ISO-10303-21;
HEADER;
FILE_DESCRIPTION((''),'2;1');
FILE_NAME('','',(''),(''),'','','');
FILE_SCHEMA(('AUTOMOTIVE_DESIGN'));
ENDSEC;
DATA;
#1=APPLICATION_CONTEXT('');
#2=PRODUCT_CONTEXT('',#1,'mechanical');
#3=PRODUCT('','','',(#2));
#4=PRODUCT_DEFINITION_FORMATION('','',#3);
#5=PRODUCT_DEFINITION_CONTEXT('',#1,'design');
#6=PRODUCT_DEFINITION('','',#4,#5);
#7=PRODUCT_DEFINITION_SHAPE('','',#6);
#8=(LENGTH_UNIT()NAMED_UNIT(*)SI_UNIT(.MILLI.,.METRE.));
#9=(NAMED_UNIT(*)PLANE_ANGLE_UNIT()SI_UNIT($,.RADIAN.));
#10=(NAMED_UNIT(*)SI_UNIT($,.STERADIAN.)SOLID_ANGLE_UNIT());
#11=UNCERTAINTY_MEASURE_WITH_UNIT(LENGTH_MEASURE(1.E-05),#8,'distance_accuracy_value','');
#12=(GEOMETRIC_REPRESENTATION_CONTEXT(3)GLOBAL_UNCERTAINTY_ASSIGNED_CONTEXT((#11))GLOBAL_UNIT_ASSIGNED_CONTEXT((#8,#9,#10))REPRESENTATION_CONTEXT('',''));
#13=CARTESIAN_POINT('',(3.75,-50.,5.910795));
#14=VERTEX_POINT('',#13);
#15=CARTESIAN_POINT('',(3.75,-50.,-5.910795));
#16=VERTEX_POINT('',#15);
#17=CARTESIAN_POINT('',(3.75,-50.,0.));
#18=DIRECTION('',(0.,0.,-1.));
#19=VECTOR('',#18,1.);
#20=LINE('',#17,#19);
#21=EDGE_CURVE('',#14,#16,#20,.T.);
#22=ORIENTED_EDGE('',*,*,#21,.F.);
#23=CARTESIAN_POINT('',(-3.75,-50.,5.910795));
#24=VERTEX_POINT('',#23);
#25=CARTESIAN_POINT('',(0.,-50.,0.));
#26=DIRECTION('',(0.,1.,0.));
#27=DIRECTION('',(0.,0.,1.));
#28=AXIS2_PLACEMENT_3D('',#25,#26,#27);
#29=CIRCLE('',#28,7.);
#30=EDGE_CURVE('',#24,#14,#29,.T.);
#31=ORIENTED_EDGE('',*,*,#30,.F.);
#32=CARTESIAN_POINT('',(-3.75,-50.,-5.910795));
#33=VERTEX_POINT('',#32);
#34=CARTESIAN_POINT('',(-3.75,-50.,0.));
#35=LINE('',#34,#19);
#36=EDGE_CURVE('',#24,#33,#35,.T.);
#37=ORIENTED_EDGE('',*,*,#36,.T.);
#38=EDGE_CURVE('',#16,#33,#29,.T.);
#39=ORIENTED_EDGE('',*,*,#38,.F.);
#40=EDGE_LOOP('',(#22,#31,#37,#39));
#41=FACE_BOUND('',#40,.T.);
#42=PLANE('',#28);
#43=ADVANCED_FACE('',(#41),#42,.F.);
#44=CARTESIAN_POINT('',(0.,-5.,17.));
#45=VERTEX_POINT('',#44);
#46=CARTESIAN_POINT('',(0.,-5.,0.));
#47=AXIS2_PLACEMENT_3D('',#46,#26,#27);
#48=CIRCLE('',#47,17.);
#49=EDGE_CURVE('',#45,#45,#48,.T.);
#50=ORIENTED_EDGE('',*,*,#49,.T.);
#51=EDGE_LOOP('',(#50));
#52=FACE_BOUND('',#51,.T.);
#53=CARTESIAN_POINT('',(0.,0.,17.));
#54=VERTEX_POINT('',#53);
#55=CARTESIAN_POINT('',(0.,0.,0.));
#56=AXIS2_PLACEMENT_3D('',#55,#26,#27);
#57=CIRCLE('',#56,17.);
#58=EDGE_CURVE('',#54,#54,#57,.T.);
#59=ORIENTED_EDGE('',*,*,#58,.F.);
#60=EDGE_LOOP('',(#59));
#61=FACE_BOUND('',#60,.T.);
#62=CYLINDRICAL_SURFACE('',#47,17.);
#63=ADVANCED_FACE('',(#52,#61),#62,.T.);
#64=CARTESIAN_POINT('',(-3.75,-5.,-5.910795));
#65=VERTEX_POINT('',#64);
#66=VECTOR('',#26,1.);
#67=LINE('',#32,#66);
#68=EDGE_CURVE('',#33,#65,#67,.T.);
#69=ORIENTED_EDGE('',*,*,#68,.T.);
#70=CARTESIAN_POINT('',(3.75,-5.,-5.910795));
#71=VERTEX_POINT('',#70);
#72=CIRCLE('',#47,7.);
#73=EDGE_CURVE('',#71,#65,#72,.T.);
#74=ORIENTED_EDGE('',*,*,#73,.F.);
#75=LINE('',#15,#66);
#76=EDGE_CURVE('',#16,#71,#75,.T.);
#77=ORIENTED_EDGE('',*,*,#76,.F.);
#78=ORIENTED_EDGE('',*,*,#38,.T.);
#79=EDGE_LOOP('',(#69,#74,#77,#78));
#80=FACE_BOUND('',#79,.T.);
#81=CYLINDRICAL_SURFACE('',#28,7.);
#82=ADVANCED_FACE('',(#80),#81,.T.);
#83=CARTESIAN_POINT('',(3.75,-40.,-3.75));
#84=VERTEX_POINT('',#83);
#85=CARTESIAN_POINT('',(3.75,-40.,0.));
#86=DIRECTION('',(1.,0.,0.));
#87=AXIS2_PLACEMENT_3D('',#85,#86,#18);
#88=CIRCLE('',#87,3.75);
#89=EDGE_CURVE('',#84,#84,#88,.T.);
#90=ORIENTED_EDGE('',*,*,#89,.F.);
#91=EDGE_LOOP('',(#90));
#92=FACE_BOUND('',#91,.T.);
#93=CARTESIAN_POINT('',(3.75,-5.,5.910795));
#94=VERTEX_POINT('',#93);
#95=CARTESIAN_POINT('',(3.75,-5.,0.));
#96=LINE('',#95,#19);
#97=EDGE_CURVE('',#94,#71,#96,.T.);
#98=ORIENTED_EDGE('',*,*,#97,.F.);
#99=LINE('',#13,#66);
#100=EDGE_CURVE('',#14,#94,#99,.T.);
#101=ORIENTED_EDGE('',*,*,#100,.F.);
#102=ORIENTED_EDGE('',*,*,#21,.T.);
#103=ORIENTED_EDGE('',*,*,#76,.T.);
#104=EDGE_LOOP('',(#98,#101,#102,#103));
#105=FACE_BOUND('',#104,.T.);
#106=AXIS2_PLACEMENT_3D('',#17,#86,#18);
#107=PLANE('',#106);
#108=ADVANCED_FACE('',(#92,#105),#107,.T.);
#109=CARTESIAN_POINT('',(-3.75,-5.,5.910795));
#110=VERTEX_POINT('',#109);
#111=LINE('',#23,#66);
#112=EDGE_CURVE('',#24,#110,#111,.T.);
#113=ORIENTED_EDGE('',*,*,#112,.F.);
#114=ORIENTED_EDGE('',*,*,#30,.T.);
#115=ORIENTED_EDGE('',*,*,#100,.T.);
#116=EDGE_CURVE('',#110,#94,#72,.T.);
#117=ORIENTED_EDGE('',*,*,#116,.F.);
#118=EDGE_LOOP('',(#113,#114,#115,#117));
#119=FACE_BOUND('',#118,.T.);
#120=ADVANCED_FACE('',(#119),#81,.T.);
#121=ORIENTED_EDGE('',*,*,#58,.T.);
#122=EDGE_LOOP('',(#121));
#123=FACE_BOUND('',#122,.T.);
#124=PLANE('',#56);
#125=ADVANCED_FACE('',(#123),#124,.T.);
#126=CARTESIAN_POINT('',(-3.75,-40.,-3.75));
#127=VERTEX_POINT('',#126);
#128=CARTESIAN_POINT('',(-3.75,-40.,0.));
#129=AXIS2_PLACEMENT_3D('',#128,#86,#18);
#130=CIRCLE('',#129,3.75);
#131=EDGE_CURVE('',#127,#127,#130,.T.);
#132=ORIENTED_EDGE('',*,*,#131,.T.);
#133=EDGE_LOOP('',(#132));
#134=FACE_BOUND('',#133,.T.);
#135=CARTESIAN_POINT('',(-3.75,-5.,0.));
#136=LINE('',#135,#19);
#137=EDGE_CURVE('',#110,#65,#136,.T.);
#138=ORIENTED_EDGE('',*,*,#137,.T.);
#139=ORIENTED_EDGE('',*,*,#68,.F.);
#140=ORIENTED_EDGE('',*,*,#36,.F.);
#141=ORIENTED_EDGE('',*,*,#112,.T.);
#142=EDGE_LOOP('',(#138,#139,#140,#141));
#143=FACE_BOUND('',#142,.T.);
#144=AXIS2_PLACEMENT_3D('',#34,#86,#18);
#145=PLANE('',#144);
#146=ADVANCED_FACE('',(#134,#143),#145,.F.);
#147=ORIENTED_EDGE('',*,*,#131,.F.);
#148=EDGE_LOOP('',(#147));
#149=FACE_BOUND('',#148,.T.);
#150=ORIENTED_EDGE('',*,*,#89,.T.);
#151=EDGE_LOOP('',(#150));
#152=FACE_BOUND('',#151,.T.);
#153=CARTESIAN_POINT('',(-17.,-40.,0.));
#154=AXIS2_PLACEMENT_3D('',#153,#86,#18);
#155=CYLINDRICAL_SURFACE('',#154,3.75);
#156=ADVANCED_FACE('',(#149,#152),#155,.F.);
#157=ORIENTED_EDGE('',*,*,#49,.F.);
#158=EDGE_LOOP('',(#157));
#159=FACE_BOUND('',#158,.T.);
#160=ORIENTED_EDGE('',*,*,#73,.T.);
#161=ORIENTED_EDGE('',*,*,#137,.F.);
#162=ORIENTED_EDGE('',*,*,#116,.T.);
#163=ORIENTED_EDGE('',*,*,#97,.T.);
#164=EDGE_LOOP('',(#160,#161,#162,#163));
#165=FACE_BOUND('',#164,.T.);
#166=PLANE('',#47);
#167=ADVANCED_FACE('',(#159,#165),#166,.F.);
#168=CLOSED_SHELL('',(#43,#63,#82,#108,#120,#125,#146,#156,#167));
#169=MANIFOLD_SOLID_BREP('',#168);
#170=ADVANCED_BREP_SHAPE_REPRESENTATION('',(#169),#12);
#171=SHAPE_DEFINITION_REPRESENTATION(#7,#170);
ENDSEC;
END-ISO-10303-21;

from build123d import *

# Parameters (mm, degrees)
SKETCH1_R           = 17
BOSS_EXTRUDE1_DEPTH = 5
BOSS_EXTRUDE2_START = -5
BOSS_EXTRUDE2_DEPTH = 45
SKETCH2_R           = 3.75
CUT_EXTRUDE1_DEPTH  = 57.741188743


with BuildPart() as part:
    # Sketch1 → Boss-Extrude1 (new body)
    with BuildSketch(Plane(origin=(0, 0, 0), x_dir=(1, 0, 0), z_dir=(0, 1, 0))):
        with Locations(Location((0, 0, 0), (0, 0, 270))):
            Circle(SKETCH1_R)
    extrude(amount=-BOSS_EXTRUDE1_DEPTH)

    # Sketch1<3> → Boss-Extrude2 (add)
    with BuildSketch(Plane(origin=(0, 0, 0), x_dir=(1, 0, 0), z_dir=(0, 1, 0)).offset(BOSS_EXTRUDE2_START)):
        with BuildLine():
            ThreePointArc((-3.75, -5.910795209), (0, -7), (3.75, -5.910795209))
            Line((3.75, -5.910795209), (3.75, 5.910795209))
            ThreePointArc((3.75, 5.910795209), (0, 7), (-3.75, 5.910795209))
            Line((-3.75, 5.910795209), (-3.75, -5.910795209))
        make_face()
    extrude(amount=-BOSS_EXTRUDE2_DEPTH)

    # Sketch2 → Cut-Extrude1 (cut, through all)
    with BuildSketch(Plane(origin=(3.75, 0, 0), x_dir=(0, 0, -1), z_dir=(1, 0, 0))):
        with Locations((0, -40)):
            Circle(SKETCH2_R)
    extrude(amount=-CUT_EXTRUDE1_DEPTH, mode=Mode.SUBTRACT)


solid = part.part
